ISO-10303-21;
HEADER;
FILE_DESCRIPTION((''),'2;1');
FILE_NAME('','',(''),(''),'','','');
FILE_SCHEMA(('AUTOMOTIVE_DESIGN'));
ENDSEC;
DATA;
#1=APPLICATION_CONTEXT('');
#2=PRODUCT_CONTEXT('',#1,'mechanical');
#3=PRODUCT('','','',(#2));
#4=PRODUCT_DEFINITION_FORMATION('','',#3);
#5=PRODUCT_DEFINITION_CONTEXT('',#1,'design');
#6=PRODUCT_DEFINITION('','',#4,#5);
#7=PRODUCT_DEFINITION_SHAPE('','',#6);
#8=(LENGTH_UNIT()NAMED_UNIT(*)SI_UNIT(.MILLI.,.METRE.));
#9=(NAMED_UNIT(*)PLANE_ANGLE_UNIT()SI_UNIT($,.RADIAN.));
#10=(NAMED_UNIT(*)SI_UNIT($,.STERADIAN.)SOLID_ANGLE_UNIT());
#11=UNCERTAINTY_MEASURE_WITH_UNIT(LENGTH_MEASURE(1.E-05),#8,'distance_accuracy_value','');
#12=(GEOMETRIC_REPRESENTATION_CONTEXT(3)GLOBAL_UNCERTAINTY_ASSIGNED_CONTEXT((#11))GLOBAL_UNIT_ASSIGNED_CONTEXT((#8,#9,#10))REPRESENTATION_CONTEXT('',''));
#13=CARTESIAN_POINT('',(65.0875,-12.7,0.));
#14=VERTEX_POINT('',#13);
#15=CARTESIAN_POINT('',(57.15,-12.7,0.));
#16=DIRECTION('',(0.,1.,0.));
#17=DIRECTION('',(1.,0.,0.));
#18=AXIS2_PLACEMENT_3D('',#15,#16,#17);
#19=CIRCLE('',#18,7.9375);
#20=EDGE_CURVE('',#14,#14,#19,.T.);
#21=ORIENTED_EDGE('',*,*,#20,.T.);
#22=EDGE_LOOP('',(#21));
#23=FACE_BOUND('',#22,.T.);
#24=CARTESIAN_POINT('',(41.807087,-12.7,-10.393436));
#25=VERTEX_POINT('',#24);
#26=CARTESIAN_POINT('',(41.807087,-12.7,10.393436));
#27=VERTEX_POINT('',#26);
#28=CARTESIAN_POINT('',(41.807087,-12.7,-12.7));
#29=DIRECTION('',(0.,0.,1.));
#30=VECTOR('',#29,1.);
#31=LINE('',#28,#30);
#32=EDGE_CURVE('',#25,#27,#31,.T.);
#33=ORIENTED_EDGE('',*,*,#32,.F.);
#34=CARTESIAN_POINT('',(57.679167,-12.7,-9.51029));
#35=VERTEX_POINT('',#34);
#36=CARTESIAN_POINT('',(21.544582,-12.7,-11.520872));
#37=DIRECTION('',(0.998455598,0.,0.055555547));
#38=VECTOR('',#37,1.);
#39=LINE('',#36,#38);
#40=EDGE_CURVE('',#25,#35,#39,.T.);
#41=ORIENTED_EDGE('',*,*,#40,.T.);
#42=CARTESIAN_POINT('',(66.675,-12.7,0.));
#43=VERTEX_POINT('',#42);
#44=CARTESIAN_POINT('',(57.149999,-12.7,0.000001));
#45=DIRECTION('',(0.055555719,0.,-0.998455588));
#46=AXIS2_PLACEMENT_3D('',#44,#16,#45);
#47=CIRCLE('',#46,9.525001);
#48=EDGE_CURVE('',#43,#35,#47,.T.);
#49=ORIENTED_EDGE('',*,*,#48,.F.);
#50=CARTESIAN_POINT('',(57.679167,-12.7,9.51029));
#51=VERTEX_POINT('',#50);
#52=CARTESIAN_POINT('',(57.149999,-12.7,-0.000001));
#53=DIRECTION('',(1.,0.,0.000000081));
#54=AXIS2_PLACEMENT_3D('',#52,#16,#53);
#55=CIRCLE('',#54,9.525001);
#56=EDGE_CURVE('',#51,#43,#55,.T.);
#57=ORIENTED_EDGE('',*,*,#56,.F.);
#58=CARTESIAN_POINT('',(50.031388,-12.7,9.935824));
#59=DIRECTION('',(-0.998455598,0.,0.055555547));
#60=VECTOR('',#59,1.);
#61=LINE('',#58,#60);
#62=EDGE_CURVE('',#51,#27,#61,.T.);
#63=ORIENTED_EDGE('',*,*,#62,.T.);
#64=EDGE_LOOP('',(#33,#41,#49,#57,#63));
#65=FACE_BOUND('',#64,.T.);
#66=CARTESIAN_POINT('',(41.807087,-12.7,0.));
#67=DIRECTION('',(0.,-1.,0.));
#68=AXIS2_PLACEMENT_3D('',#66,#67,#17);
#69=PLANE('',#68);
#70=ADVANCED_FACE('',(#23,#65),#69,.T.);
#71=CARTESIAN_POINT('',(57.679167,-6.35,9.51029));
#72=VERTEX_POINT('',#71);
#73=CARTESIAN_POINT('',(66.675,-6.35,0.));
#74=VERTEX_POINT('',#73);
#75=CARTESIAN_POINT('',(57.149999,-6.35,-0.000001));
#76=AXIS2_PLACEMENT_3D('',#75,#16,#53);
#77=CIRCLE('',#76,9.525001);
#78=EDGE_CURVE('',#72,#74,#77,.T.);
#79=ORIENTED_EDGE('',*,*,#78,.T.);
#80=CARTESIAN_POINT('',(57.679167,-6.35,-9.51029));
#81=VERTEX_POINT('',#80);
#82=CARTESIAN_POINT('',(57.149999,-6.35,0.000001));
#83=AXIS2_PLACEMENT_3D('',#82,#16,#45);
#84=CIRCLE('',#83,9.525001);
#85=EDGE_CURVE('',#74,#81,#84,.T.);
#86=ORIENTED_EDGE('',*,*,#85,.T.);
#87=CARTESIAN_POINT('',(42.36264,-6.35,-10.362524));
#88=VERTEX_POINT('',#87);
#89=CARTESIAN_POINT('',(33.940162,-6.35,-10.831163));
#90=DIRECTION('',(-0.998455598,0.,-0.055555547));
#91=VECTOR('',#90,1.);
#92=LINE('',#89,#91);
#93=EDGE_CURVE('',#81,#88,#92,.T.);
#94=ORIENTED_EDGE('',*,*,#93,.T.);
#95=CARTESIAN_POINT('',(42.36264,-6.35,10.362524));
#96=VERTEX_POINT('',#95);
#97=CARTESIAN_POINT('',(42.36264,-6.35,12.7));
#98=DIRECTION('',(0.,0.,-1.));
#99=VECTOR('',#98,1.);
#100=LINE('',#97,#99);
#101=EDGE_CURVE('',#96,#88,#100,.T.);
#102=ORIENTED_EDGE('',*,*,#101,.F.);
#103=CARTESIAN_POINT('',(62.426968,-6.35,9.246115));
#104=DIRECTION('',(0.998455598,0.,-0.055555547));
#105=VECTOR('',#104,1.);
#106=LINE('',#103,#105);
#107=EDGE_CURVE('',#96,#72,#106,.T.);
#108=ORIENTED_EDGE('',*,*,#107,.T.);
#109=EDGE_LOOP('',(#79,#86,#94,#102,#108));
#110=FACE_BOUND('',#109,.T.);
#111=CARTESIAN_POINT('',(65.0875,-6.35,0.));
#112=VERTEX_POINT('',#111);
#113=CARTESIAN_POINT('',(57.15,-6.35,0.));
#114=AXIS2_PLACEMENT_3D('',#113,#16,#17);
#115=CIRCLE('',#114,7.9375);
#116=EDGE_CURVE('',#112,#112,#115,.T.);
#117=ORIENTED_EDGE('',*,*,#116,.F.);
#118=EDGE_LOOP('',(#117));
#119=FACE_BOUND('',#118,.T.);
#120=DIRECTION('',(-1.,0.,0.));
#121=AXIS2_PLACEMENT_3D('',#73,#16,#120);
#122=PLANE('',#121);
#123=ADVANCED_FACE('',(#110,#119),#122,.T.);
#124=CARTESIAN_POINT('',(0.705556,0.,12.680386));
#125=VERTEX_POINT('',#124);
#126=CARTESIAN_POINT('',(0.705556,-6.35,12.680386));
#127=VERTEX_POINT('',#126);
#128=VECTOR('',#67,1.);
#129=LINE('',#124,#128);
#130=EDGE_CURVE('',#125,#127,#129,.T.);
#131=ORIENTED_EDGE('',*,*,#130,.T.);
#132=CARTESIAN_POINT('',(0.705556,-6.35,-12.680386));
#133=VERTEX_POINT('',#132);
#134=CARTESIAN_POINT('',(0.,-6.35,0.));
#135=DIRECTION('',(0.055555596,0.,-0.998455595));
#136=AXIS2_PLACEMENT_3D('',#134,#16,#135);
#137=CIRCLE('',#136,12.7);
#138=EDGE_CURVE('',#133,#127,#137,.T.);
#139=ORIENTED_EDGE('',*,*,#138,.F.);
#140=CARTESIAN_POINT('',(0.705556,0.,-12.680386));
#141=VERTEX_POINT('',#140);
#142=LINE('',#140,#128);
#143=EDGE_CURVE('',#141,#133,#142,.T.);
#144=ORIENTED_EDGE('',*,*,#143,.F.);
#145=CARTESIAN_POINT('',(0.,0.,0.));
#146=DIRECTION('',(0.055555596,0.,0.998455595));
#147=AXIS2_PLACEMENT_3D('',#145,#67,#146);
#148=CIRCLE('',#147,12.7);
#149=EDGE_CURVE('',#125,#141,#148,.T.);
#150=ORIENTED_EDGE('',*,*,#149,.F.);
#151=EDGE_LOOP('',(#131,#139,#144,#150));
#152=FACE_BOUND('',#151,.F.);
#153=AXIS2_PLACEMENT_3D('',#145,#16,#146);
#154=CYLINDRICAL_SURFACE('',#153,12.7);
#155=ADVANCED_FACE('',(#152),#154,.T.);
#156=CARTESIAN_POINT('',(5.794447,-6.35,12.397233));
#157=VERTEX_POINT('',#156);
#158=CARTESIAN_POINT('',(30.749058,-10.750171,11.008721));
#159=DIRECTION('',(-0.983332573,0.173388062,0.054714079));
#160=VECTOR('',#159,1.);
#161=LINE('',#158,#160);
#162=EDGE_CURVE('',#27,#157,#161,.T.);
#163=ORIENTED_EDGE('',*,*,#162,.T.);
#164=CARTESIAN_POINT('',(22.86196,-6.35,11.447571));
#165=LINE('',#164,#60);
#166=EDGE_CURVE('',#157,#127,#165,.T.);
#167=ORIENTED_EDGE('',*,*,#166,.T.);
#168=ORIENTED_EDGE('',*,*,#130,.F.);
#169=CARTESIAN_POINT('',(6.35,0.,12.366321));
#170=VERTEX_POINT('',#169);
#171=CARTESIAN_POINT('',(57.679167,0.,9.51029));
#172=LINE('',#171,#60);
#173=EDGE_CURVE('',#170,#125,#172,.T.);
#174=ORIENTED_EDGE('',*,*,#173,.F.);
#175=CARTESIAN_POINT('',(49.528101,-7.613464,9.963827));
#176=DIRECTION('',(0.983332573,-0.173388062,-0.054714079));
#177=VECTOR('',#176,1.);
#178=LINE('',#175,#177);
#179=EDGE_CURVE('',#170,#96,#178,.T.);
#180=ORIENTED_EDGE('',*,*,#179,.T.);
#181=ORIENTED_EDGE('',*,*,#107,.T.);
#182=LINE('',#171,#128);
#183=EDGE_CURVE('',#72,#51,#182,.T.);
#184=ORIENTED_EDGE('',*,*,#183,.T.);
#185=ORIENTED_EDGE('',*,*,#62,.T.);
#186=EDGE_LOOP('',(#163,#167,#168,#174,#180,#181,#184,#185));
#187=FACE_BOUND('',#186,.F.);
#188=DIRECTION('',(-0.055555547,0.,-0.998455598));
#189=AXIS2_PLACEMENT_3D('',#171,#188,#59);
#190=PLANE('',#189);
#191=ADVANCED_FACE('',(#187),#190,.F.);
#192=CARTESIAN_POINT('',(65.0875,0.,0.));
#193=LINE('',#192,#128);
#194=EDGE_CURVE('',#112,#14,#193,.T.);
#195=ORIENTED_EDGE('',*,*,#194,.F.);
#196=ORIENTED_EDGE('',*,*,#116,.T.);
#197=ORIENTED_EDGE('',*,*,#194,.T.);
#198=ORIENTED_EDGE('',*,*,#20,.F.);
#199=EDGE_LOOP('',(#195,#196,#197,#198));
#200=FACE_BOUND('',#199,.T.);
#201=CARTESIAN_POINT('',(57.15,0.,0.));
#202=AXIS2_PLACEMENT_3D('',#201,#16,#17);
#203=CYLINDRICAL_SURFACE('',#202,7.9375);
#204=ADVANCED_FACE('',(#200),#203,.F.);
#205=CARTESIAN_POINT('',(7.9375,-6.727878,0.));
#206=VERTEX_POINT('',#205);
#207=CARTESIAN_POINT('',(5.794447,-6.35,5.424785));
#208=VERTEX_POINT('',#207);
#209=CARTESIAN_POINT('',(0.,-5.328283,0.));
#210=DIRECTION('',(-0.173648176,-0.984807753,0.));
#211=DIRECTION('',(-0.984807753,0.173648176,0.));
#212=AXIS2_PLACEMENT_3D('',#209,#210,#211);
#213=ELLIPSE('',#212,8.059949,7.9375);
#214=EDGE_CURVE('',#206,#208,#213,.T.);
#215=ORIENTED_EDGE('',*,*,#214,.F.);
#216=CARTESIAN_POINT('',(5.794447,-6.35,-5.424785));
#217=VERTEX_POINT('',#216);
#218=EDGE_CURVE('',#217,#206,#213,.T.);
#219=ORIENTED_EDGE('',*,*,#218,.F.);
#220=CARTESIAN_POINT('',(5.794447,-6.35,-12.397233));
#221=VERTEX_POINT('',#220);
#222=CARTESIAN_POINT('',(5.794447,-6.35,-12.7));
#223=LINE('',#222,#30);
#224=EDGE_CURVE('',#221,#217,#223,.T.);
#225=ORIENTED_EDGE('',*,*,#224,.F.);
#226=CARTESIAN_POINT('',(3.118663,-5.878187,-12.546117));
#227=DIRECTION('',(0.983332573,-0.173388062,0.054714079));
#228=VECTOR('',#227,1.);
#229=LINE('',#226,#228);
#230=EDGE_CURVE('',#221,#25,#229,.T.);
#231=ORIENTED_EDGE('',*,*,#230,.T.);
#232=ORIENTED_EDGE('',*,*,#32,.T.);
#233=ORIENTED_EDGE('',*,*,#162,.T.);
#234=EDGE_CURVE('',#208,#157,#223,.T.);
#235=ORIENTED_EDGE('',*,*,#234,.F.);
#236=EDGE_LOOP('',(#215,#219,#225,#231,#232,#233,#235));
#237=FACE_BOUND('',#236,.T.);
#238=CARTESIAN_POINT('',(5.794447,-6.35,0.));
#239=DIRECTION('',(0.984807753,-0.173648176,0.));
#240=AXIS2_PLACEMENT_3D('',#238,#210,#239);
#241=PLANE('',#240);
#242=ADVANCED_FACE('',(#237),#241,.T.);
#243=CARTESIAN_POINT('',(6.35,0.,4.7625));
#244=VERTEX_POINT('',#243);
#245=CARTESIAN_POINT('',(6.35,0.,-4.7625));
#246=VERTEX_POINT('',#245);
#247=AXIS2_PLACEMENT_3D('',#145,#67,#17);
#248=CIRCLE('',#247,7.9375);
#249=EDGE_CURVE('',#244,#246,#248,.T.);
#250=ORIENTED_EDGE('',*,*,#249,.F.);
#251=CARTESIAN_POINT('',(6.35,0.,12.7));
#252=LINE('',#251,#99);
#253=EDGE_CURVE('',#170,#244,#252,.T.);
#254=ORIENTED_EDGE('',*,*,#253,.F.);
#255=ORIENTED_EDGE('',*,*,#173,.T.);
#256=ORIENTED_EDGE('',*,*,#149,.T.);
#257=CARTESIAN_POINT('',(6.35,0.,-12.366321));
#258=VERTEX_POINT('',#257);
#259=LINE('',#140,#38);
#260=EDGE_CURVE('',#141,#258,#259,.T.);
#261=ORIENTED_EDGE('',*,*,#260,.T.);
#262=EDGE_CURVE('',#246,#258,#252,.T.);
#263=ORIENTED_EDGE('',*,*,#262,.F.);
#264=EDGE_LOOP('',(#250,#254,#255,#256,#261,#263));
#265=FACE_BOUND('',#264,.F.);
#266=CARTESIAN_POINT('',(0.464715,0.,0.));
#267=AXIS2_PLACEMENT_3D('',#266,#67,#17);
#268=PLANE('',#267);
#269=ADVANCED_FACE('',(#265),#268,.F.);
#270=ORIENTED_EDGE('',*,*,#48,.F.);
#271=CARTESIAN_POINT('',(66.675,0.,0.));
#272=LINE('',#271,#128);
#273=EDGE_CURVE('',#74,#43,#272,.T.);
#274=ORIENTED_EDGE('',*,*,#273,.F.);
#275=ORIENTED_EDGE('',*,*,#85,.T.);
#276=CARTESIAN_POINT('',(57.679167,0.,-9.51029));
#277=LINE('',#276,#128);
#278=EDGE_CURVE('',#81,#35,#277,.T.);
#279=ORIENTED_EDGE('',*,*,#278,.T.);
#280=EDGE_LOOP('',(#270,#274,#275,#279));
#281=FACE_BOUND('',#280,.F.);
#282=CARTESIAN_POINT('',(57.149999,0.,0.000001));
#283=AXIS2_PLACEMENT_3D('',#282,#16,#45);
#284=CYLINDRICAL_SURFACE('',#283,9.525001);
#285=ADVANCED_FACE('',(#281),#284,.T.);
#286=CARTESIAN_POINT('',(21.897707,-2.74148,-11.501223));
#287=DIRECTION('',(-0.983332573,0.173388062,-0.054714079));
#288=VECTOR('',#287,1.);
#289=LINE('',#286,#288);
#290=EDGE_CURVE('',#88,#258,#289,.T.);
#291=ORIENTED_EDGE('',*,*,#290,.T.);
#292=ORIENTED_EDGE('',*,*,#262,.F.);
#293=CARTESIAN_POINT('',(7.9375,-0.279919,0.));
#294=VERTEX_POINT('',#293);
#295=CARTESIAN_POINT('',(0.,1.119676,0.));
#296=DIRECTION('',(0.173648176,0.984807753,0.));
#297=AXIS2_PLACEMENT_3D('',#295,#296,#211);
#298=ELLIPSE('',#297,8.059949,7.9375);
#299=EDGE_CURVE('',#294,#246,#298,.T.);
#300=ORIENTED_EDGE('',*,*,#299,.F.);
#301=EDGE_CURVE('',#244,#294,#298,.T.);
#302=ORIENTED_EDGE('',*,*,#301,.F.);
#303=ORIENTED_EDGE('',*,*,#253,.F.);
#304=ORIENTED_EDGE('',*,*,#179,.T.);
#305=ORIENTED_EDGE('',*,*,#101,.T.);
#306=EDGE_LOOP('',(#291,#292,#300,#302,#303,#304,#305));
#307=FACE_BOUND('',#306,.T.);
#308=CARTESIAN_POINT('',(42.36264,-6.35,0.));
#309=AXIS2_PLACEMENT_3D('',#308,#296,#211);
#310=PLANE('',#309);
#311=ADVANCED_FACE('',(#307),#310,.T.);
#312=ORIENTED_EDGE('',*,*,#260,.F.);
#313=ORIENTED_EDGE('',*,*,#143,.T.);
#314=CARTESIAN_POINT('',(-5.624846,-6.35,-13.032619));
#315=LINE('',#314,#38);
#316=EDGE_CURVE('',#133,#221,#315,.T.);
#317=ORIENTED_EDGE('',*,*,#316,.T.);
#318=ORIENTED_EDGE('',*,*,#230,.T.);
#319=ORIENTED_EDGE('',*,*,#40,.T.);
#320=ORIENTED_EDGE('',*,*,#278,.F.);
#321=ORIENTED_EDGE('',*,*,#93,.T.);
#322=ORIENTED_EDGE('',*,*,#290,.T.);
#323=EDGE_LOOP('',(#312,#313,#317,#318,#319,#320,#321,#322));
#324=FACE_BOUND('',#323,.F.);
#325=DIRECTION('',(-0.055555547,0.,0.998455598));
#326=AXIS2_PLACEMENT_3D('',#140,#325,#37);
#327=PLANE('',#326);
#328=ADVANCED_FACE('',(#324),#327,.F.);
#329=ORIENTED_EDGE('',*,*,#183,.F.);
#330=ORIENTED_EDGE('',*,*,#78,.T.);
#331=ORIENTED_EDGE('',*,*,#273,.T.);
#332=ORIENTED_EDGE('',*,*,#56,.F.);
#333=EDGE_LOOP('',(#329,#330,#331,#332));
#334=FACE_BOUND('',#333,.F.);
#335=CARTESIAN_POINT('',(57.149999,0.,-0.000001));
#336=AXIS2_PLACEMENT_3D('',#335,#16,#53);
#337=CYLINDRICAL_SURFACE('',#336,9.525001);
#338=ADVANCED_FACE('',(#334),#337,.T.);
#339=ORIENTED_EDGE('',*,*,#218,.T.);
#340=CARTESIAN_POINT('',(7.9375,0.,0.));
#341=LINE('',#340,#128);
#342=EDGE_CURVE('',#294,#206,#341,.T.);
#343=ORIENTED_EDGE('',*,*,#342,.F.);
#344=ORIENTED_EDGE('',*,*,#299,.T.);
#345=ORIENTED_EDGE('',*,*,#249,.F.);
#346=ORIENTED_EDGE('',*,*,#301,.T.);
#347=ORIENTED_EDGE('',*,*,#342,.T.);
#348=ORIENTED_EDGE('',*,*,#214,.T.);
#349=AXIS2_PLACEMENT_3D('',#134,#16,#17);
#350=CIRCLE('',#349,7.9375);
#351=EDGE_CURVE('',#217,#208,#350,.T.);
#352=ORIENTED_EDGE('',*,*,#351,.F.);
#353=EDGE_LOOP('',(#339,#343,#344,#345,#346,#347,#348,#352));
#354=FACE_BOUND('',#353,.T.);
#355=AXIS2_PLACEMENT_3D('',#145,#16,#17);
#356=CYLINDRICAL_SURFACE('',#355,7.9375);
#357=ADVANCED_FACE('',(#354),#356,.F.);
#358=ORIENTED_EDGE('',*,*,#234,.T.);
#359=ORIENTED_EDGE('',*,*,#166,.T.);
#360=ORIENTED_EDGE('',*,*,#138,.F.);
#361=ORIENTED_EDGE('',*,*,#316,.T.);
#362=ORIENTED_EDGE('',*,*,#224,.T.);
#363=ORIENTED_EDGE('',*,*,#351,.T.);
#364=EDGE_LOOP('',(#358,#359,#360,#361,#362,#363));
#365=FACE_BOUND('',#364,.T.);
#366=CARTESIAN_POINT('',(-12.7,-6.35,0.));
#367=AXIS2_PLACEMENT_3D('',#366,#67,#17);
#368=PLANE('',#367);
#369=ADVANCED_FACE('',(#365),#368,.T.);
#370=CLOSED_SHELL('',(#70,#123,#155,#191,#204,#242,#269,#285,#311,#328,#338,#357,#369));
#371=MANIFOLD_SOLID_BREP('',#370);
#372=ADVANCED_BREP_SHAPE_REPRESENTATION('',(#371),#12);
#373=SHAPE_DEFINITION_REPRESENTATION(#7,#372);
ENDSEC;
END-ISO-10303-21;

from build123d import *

# Parameters (mm, degrees)
F0_R     = 7.9375
F1_DEPTH = 19.05
F3_DEPTH = 12.7


with BuildPart() as f1:
    # F0 (on Front) → F1 (new body)
    with BuildSketch(Plane.XZ):
        with BuildLine():
            ThreePointArc((0.705556, -12.680386), (9.226336, -8.72724), (12.7, 0))
            ThreePointArc((12.7, 0), (9.226336, 8.72724), (0.705556, 12.680386))
            ThreePointArc((0.705556, 12.680386), (-12.7, 0), (0.705556, -12.680386))
        make_face()
        Circle(F0_R, mode=Mode.SUBTRACT)
        with BuildLine():
            ThreePointArc((0.705556, 12.680386), (9.226336, 8.72724), (12.7, 0))
            ThreePointArc((12.7, 0), (9.226336, -8.72724), (0.705556, -12.680386))
            Line((0.705556, -12.680386), (57.679167, -9.51029))
            ThreePointArc((57.679167, -9.51029), (47.625, 0), (57.679167, 9.51029))
            Line((57.679167, 9.51029), (0.705556, 12.680386))
        make_face()
        with BuildLine():
            ThreePointArc((66.675, 0), (64.069752, 6.54543), (57.679167, 9.51029))
            ThreePointArc((57.679167, 9.51029), (47.625, 0), (57.679167, -9.51029))
            ThreePointArc((57.679167, -9.51029), (64.069752, -6.54543), (66.675, 0))
        make_face()
        with Locations((57.15, 0)):
            Circle(F0_R, mode=Mode.SUBTRACT)
    extrude(amount=F1_DEPTH)

    # F2 (on Top) → F3 (intersect, symmetric)
    with BuildSketch(Plane.XY):
        Polygon((6.35, 0), (-12.7, 0), (-12.7, -6.35), (5.794447, -6.35), (41.807087, -12.7), (66.675, -12.7), (66.675, -6.35), (42.36264, -6.35), align=None)
    extrude(amount=F3_DEPTH, both=True, mode=Mode.INTERSECT)


solid = f1.part
